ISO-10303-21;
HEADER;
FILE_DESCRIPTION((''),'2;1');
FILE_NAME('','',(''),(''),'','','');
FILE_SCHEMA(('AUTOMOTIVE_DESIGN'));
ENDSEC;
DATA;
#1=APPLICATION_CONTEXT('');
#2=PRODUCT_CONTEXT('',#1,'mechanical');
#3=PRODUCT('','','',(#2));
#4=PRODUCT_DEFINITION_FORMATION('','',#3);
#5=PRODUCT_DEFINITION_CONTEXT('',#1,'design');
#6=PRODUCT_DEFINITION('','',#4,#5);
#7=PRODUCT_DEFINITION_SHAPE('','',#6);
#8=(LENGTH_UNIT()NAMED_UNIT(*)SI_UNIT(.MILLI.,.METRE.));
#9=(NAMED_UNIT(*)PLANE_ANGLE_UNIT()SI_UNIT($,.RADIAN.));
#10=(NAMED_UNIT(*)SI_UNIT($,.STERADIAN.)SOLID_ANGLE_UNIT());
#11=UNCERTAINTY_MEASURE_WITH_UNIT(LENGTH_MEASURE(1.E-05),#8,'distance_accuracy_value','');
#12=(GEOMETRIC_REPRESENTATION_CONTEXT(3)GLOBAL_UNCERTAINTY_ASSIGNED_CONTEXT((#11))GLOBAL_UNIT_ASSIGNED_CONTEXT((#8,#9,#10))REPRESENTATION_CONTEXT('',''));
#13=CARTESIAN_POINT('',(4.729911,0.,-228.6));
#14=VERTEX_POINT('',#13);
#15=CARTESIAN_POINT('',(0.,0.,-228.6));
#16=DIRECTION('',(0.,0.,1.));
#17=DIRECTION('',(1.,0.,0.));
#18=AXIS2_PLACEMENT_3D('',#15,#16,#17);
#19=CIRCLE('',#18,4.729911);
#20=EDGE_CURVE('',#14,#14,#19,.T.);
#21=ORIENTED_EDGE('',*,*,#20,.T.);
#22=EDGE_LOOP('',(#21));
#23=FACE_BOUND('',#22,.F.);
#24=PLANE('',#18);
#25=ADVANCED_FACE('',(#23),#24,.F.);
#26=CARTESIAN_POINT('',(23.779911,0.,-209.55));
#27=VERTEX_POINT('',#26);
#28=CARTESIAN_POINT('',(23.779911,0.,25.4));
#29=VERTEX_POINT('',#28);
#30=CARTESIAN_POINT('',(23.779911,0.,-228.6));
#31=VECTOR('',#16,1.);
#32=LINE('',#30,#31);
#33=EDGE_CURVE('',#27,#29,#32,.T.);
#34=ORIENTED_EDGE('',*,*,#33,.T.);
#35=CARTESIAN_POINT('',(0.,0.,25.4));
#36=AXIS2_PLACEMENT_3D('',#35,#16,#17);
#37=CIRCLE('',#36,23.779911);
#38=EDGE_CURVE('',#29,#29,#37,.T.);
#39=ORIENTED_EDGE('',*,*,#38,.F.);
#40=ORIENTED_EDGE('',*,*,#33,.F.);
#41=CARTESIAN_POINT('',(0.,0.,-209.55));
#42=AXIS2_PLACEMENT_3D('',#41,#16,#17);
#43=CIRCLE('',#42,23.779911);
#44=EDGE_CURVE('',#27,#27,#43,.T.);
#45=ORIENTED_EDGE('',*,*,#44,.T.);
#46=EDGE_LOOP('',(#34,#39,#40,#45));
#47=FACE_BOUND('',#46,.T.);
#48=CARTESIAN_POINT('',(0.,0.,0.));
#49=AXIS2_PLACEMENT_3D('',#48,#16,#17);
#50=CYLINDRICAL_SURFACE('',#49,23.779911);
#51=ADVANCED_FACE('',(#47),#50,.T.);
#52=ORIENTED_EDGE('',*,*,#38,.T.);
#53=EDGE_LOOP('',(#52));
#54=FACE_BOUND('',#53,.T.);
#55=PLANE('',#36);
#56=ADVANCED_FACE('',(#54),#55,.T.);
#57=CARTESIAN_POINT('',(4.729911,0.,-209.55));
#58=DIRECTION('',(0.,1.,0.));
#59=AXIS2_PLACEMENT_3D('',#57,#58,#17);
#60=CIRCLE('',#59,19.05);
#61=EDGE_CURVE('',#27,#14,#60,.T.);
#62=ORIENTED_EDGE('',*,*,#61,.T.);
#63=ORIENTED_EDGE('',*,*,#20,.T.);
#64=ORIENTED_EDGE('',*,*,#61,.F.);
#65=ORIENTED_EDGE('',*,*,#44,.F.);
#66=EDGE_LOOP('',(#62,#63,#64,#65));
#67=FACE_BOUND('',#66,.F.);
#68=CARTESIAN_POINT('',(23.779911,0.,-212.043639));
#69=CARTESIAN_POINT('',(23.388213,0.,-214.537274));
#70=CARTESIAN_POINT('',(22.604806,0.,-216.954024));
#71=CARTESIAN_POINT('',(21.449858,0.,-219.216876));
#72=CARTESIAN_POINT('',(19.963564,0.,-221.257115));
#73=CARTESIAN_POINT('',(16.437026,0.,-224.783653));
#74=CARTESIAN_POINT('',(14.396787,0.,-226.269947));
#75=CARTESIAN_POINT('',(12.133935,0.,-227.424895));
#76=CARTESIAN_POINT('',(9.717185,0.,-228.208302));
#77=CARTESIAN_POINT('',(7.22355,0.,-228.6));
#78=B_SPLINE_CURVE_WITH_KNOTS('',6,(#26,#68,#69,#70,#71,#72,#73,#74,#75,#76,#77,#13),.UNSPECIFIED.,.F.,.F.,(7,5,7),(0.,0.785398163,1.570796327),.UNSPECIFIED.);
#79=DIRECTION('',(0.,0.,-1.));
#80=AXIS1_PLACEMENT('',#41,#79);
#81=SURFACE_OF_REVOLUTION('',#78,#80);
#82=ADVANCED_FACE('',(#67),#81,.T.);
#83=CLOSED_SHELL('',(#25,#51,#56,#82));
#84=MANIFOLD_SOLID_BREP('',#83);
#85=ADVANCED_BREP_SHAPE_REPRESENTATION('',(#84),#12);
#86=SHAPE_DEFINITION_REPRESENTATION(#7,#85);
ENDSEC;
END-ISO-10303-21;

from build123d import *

# Parameters (mm, degrees)
F0_R          = 23.779911
F1_DEPTH      = 25.4
F1_DEPTH_BACK = 228.6
F2_R          = 19.05


with BuildPart() as f1:
    # F0 (on Top) → F1 (new body, two sides)
    with BuildSketch(Plane.XY) as f1_sk:
        Circle(F0_R)
    extrude(amount=F1_DEPTH)
    extrude(f1_sk.sketch, amount=-F1_DEPTH_BACK)

    # F2
    f2_edges = [f1.edges().sort_by_distance(p)[0] for p in [
        (-23.779911, 0, -228.6),
    ]]
    fillet(f2_edges, radius=F2_R)


solid = f1.part
